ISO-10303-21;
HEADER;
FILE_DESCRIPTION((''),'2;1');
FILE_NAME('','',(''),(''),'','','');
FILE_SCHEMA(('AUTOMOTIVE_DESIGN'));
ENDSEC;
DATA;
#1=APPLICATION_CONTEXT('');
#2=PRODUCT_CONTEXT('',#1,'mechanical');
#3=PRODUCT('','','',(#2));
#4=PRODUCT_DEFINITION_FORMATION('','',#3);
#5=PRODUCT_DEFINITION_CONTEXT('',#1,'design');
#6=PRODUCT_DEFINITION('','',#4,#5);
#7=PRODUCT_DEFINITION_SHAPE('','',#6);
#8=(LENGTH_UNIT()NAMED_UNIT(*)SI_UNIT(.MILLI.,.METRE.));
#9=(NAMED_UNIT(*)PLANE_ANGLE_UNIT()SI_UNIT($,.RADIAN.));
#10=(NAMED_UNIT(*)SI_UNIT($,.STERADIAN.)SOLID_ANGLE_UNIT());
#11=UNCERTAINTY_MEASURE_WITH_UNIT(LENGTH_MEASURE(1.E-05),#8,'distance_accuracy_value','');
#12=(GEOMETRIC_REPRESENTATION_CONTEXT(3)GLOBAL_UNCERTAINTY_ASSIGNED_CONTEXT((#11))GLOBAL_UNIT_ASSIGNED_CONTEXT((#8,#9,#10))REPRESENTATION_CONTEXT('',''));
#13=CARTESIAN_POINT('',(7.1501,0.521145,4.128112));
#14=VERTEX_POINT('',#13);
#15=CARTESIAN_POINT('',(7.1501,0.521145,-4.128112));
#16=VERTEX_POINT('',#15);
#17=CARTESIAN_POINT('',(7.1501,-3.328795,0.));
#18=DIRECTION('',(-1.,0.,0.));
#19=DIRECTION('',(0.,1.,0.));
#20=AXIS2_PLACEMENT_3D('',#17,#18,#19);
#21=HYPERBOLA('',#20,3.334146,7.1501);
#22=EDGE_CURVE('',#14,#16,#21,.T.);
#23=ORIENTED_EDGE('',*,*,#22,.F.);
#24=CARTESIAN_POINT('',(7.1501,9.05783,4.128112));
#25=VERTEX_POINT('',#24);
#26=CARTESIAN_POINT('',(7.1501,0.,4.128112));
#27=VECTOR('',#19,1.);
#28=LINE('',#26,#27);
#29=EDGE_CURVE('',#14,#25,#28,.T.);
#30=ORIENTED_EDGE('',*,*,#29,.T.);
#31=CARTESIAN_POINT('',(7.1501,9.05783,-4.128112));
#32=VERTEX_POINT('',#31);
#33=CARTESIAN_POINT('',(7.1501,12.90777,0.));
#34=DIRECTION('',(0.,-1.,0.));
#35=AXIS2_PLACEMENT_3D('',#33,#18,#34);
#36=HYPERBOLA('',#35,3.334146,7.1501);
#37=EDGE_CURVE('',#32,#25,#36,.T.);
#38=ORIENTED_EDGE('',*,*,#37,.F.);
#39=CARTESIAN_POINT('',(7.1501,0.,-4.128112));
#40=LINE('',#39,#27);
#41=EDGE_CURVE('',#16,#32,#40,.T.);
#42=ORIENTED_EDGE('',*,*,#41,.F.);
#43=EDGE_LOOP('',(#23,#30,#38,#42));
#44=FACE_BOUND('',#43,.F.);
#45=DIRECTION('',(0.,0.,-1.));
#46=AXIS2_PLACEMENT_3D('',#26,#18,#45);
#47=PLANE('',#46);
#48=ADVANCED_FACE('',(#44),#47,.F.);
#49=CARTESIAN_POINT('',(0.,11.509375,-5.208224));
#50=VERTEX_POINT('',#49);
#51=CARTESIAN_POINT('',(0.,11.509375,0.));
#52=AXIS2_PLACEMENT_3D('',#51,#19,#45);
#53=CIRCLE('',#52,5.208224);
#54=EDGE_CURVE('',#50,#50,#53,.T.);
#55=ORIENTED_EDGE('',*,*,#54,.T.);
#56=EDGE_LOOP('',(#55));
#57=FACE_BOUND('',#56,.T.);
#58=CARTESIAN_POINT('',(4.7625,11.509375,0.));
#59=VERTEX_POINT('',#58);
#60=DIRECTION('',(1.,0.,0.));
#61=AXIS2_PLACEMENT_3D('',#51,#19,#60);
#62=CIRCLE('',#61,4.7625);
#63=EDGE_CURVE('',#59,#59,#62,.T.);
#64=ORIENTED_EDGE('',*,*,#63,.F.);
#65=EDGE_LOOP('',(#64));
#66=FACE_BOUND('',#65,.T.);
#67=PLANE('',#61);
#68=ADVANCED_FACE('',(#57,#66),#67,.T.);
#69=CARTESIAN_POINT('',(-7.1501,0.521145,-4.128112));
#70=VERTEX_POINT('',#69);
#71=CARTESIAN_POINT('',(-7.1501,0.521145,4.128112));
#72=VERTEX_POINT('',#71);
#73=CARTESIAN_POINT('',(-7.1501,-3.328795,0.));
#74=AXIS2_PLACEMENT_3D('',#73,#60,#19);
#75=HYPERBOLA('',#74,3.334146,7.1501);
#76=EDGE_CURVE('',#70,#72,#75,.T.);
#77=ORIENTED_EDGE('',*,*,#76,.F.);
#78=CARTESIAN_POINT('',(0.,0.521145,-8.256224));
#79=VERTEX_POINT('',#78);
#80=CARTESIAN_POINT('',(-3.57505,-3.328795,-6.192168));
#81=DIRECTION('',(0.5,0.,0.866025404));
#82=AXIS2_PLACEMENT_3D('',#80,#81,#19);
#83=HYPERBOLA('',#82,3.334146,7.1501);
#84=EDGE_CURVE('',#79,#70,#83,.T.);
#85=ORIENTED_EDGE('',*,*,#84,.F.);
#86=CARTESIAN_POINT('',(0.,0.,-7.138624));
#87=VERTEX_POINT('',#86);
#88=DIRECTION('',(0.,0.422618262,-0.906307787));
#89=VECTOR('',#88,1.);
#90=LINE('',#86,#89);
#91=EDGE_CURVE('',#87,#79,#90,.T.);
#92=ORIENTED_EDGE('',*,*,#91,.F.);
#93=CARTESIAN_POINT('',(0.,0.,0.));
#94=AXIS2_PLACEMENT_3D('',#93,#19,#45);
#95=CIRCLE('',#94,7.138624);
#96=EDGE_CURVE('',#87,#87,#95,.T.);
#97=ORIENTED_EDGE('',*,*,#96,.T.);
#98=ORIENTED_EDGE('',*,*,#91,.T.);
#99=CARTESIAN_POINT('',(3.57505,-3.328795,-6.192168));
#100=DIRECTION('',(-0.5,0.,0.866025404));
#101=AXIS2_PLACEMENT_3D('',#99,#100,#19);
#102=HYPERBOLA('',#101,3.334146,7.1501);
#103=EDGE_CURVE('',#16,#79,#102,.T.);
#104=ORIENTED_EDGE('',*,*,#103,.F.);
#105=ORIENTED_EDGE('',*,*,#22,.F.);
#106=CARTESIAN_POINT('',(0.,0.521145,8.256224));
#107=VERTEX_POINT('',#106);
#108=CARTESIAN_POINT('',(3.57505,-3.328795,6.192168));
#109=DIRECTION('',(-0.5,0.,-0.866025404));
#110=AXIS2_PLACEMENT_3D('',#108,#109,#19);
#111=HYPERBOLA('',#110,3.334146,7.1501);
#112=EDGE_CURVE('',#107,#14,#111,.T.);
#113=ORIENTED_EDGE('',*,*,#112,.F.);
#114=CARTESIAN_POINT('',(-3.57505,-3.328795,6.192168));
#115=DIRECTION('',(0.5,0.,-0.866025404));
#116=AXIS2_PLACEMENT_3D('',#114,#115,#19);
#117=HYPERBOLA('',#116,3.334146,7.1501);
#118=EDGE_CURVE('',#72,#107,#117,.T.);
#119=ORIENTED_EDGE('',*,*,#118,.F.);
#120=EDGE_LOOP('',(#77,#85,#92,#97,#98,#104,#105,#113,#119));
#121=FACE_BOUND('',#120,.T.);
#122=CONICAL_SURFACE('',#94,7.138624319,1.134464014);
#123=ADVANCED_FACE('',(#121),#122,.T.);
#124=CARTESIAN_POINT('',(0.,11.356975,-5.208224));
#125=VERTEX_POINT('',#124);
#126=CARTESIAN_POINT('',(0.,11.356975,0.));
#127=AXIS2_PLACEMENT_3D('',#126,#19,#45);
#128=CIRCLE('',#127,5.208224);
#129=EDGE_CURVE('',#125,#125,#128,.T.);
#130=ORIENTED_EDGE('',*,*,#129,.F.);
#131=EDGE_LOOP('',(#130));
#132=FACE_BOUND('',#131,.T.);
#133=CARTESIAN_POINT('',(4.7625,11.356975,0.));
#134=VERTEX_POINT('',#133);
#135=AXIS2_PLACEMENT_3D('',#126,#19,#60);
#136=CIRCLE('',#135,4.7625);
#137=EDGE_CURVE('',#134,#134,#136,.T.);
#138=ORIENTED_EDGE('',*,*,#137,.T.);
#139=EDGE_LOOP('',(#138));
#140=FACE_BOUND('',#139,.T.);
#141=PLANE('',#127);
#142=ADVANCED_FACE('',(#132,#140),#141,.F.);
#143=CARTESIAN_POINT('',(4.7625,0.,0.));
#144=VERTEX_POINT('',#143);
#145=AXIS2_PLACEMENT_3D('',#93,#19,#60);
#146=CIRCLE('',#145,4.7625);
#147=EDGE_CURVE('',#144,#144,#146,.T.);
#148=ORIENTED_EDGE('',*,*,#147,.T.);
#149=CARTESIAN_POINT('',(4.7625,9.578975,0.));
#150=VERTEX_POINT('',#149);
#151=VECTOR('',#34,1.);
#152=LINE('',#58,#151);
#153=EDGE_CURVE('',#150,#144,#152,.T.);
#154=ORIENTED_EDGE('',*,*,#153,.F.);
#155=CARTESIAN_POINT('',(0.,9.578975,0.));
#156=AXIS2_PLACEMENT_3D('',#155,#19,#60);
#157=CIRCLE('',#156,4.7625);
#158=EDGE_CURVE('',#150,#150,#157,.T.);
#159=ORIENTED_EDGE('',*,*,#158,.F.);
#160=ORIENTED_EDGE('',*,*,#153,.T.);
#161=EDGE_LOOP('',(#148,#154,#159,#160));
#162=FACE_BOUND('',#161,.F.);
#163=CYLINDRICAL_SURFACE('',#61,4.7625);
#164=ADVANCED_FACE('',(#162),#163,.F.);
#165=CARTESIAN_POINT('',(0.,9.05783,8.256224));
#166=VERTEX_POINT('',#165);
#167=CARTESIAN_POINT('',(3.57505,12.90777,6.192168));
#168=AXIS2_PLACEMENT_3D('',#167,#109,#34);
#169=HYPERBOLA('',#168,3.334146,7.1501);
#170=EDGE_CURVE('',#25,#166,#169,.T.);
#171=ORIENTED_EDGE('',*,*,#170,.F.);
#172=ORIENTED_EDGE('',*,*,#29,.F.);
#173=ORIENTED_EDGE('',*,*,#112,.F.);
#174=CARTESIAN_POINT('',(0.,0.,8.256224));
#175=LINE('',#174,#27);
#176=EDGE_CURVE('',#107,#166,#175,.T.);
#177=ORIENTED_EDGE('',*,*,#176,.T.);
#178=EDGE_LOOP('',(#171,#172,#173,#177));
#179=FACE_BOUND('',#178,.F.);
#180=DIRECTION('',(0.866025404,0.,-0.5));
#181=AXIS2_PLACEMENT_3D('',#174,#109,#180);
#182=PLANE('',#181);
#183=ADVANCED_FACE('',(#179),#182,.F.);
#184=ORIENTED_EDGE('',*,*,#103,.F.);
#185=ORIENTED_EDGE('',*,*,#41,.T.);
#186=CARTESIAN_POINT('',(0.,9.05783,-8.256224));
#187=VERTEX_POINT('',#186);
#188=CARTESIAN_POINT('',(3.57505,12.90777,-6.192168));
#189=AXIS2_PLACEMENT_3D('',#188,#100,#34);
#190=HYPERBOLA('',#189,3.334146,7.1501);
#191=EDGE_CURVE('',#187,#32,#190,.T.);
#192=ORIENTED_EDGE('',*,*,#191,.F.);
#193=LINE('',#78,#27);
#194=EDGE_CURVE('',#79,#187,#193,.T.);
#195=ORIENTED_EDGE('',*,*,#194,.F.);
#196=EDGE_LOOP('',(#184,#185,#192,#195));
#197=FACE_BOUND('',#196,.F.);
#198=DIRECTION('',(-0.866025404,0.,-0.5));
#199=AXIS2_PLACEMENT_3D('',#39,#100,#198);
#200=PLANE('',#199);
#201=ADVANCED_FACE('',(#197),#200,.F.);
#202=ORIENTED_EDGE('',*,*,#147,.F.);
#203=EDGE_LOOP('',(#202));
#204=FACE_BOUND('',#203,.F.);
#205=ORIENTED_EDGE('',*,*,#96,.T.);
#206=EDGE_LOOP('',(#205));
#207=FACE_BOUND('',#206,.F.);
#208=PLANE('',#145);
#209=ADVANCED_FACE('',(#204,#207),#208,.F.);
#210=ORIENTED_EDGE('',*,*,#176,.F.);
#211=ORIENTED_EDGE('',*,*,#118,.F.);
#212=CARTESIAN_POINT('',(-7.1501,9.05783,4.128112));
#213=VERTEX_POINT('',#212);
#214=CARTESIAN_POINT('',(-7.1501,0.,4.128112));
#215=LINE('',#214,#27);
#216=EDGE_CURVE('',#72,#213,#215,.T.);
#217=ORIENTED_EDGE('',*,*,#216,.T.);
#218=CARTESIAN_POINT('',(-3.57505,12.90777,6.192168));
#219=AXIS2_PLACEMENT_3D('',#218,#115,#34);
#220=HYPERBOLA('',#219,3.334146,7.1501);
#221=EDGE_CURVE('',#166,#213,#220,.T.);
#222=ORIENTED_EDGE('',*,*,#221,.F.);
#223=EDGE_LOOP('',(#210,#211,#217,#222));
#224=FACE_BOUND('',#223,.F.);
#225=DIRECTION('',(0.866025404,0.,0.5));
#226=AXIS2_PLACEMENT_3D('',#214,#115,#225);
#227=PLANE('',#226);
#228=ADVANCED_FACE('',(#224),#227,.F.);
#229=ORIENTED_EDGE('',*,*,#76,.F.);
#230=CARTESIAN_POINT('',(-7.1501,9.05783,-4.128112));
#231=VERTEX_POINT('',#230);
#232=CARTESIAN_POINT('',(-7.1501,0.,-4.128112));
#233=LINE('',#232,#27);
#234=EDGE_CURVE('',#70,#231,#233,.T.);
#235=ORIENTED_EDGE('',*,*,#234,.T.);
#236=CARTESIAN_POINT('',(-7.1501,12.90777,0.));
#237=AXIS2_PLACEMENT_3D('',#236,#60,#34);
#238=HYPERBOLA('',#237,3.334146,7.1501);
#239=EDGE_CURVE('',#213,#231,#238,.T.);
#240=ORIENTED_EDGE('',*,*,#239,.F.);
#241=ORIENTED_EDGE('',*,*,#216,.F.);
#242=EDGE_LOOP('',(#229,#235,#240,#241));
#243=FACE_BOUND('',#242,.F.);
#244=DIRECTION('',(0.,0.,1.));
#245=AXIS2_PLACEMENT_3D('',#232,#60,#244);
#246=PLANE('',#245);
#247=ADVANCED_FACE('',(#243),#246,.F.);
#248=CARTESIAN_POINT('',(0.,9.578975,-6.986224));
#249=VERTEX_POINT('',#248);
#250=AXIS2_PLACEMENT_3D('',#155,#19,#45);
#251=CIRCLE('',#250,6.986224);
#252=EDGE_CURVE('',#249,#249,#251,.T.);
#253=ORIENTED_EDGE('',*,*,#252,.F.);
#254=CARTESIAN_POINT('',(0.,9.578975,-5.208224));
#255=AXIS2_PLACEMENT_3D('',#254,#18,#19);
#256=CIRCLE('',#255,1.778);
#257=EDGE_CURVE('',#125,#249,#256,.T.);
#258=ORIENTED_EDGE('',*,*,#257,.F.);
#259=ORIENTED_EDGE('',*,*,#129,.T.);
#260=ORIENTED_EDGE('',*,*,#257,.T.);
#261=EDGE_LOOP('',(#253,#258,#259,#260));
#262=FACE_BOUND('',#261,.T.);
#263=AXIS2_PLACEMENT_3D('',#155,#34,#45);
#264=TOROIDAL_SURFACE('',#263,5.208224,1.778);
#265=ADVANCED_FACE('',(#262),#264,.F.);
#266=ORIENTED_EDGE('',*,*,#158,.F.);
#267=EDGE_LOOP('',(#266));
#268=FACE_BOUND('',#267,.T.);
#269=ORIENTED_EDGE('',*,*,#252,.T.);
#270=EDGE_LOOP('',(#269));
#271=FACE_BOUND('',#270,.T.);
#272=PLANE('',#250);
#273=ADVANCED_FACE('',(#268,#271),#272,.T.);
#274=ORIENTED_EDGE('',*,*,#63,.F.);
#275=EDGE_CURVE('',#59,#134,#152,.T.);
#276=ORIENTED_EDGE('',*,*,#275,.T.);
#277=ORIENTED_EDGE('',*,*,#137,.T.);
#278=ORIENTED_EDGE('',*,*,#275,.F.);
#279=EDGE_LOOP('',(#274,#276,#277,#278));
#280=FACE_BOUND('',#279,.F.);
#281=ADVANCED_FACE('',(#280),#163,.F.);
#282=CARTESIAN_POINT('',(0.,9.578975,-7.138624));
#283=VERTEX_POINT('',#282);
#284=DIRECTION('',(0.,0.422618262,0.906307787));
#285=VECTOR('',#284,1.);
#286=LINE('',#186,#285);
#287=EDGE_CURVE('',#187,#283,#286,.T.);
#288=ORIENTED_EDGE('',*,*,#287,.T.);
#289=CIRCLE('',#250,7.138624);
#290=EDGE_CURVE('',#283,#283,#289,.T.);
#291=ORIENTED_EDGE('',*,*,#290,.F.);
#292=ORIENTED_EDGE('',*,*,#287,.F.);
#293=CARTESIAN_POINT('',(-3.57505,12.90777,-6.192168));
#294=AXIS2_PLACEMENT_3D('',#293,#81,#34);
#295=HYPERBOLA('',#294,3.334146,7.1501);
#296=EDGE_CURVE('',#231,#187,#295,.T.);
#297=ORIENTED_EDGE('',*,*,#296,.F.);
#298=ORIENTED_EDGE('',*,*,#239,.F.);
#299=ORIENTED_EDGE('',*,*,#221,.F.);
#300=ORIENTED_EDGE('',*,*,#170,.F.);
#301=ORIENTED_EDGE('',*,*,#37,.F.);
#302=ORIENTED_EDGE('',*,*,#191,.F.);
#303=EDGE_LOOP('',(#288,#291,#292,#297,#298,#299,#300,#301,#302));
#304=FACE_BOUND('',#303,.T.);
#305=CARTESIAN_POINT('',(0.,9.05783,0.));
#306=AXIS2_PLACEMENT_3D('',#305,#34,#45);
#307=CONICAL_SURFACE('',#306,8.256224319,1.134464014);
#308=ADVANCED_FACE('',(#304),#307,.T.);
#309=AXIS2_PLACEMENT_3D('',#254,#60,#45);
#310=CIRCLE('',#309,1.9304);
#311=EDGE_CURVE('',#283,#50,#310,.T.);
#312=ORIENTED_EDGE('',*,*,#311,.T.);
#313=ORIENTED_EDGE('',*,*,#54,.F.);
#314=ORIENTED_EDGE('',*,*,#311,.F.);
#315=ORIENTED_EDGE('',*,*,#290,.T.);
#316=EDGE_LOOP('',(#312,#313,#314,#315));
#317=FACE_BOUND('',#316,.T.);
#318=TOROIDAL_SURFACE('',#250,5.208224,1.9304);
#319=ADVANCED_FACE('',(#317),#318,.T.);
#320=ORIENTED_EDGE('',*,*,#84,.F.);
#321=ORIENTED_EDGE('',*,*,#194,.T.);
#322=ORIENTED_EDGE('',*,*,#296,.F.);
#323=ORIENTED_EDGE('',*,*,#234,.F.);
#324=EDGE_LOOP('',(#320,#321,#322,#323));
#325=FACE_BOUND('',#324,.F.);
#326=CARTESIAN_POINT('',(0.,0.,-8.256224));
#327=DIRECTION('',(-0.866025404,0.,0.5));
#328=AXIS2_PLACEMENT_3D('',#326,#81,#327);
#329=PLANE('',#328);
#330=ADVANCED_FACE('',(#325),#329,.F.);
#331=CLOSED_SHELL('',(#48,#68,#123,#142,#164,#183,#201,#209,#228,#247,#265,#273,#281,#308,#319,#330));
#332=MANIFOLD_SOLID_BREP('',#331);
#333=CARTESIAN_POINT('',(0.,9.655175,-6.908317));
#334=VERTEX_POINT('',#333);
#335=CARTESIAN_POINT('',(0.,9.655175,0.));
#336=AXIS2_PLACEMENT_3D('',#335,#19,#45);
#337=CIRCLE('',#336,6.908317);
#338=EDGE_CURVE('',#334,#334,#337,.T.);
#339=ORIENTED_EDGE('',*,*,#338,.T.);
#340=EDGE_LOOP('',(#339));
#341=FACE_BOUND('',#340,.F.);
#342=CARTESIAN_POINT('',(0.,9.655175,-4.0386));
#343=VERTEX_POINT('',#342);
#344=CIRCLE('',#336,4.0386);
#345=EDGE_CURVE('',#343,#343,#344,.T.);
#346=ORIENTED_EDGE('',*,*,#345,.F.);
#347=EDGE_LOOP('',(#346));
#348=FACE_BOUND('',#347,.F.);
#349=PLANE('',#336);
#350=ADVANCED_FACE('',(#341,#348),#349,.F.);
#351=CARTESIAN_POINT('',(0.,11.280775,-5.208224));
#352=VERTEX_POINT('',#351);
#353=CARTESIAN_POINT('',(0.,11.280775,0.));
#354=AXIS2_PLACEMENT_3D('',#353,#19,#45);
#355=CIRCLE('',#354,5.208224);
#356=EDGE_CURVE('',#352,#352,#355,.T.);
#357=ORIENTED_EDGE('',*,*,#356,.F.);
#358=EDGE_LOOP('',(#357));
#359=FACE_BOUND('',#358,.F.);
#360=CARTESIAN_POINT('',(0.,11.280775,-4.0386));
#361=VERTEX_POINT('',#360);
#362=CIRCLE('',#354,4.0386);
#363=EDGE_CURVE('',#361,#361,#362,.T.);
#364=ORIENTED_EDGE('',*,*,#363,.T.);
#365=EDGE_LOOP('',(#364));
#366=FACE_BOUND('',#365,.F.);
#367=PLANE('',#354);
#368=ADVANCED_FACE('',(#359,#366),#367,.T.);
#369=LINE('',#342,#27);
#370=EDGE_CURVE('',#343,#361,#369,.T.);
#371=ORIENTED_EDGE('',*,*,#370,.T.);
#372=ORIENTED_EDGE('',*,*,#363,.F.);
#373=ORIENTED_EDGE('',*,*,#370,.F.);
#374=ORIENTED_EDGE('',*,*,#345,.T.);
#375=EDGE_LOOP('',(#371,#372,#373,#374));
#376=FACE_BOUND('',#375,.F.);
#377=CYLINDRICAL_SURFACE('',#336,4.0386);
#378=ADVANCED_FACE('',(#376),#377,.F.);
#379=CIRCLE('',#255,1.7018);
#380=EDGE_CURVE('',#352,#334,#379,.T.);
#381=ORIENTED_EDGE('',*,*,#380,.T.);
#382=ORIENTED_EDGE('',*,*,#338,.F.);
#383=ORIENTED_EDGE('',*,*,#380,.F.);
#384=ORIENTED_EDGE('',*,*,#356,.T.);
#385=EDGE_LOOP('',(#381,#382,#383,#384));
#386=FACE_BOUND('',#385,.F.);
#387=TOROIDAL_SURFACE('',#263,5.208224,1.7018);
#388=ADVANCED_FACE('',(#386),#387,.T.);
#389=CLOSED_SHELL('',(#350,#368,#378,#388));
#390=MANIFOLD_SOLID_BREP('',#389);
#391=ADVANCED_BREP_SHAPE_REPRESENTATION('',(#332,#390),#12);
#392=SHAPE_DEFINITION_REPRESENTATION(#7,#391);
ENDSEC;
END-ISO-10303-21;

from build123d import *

# Parameters (mm, degrees)
BOSS_EXTRUDE1_DEPTH = 11.509375
SKETCH2_R           = 4.7625
CUT_EXTRUDE1_DEPTH  = 12.509375


with BuildPart() as part:
    # Sketch1 → Boss-Extrude1 (new body)
    with BuildSketch(Plane(origin=(0, 0, 0), x_dir=(1, 0, 0), z_dir=(0, 1, 0))):
        Polygon((0, 8.256224319), (-7.1501, 4.12811216), (-7.1501, -4.12811216), (0, -8.256224319), (7.1501, -4.12811216), (7.1501, 4.12811216), align=None)
    extrude(amount=BOSS_EXTRUDE1_DEPTH)

    # Sketch2 → Cut-Extrude1 (cut, through all)
    with BuildSketch(Plane(origin=(0, 11.509375, 0), x_dir=(1, 0, 0), z_dir=(0, 1, 0))):
        Circle(SKETCH2_R)
    extrude(amount=-CUT_EXTRUDE1_DEPTH, mode=Mode.SUBTRACT)

    # Sketch4 → Cut-Revolve1 (revolve, cut)
    with BuildSketch(Plane(origin=(0, 0, 0), x_dir=(0, 0, -1), z_dir=(1, 0, 0))):
        with BuildLine():
            Line((0, 0), (7.138624319, 0))
            Line((7.138624319, 0), (8.256224319, 0.521145439))
            Line((8.256224319, 0.521145439), (8.256224319, 9.057829561))
            Line((8.256224319, 9.057829561), (7.138624319, 9.578975))
            ThreePointArc((7.138624319, 9.578975), (6.57322325, 10.94397393), (5.208224319, 11.509375))
            Line((5.208224319, 11.509375), (5.208224319, 12.779375))
            Line((5.208224319, 12.779375), (9.526224319, 12.779375))
            Line((9.526224319, 12.779375), (9.526224319, -1.27))
            Line((9.526224319, -1.27), (0, -1.27))
            Line((0, -1.27), (0, 0))
        make_face()
    revolve(axis=Axis((0, 0, 0), (0, 1, 0)), mode=Mode.SUBTRACT)

    # Sketch5 → Cut-Revolve2 (revolve, cut)
    with BuildSketch(Plane(origin=(0, 0, 0), x_dir=(0, 0, -1), z_dir=(1, 0, 0))):
        with BuildLine():
            Line((6.986224319, 9.578975), (0, 9.578975))
            Line((0, 9.578975), (0, 12.118975))
            Line((0, 12.118975), (4.6228, 12.118975))
            Line((4.6228, 12.118975), (4.6228, 11.356975))
            Line((4.6228, 11.356975), (5.208224319, 11.356975))
            ThreePointArc((5.208224319, 11.356975), (6.465460176, 10.836210857), (6.986224319, 9.578975))
        make_face()
    revolve(axis=Axis((0, 9.578975, 0), (0, 1, 0)), mode=Mode.SUBTRACT)


with BuildPart() as body_2:
    # Sketch6 → Revolve1 (revolve)
    with BuildSketch(Plane(origin=(0, 0, 0), x_dir=(0, 0, -1), z_dir=(1, 0, 0))):
        with BuildLine():
            Line((4.0386, 9.655175), (4.0386, 11.280775))
            Line((4.0386, 11.280775), (5.208224319, 11.280775))
            ThreePointArc((5.208224319, 11.280775), (6.384329349, 10.808975081), (6.908317493, 9.655175))
            Line((6.908317493, 9.655175), (4.0386, 9.655175))
        make_face()
    revolve(axis=Axis((0, 0, 0), (0, 1, 0)))


solid = Compound([part.part, body_2.part])
